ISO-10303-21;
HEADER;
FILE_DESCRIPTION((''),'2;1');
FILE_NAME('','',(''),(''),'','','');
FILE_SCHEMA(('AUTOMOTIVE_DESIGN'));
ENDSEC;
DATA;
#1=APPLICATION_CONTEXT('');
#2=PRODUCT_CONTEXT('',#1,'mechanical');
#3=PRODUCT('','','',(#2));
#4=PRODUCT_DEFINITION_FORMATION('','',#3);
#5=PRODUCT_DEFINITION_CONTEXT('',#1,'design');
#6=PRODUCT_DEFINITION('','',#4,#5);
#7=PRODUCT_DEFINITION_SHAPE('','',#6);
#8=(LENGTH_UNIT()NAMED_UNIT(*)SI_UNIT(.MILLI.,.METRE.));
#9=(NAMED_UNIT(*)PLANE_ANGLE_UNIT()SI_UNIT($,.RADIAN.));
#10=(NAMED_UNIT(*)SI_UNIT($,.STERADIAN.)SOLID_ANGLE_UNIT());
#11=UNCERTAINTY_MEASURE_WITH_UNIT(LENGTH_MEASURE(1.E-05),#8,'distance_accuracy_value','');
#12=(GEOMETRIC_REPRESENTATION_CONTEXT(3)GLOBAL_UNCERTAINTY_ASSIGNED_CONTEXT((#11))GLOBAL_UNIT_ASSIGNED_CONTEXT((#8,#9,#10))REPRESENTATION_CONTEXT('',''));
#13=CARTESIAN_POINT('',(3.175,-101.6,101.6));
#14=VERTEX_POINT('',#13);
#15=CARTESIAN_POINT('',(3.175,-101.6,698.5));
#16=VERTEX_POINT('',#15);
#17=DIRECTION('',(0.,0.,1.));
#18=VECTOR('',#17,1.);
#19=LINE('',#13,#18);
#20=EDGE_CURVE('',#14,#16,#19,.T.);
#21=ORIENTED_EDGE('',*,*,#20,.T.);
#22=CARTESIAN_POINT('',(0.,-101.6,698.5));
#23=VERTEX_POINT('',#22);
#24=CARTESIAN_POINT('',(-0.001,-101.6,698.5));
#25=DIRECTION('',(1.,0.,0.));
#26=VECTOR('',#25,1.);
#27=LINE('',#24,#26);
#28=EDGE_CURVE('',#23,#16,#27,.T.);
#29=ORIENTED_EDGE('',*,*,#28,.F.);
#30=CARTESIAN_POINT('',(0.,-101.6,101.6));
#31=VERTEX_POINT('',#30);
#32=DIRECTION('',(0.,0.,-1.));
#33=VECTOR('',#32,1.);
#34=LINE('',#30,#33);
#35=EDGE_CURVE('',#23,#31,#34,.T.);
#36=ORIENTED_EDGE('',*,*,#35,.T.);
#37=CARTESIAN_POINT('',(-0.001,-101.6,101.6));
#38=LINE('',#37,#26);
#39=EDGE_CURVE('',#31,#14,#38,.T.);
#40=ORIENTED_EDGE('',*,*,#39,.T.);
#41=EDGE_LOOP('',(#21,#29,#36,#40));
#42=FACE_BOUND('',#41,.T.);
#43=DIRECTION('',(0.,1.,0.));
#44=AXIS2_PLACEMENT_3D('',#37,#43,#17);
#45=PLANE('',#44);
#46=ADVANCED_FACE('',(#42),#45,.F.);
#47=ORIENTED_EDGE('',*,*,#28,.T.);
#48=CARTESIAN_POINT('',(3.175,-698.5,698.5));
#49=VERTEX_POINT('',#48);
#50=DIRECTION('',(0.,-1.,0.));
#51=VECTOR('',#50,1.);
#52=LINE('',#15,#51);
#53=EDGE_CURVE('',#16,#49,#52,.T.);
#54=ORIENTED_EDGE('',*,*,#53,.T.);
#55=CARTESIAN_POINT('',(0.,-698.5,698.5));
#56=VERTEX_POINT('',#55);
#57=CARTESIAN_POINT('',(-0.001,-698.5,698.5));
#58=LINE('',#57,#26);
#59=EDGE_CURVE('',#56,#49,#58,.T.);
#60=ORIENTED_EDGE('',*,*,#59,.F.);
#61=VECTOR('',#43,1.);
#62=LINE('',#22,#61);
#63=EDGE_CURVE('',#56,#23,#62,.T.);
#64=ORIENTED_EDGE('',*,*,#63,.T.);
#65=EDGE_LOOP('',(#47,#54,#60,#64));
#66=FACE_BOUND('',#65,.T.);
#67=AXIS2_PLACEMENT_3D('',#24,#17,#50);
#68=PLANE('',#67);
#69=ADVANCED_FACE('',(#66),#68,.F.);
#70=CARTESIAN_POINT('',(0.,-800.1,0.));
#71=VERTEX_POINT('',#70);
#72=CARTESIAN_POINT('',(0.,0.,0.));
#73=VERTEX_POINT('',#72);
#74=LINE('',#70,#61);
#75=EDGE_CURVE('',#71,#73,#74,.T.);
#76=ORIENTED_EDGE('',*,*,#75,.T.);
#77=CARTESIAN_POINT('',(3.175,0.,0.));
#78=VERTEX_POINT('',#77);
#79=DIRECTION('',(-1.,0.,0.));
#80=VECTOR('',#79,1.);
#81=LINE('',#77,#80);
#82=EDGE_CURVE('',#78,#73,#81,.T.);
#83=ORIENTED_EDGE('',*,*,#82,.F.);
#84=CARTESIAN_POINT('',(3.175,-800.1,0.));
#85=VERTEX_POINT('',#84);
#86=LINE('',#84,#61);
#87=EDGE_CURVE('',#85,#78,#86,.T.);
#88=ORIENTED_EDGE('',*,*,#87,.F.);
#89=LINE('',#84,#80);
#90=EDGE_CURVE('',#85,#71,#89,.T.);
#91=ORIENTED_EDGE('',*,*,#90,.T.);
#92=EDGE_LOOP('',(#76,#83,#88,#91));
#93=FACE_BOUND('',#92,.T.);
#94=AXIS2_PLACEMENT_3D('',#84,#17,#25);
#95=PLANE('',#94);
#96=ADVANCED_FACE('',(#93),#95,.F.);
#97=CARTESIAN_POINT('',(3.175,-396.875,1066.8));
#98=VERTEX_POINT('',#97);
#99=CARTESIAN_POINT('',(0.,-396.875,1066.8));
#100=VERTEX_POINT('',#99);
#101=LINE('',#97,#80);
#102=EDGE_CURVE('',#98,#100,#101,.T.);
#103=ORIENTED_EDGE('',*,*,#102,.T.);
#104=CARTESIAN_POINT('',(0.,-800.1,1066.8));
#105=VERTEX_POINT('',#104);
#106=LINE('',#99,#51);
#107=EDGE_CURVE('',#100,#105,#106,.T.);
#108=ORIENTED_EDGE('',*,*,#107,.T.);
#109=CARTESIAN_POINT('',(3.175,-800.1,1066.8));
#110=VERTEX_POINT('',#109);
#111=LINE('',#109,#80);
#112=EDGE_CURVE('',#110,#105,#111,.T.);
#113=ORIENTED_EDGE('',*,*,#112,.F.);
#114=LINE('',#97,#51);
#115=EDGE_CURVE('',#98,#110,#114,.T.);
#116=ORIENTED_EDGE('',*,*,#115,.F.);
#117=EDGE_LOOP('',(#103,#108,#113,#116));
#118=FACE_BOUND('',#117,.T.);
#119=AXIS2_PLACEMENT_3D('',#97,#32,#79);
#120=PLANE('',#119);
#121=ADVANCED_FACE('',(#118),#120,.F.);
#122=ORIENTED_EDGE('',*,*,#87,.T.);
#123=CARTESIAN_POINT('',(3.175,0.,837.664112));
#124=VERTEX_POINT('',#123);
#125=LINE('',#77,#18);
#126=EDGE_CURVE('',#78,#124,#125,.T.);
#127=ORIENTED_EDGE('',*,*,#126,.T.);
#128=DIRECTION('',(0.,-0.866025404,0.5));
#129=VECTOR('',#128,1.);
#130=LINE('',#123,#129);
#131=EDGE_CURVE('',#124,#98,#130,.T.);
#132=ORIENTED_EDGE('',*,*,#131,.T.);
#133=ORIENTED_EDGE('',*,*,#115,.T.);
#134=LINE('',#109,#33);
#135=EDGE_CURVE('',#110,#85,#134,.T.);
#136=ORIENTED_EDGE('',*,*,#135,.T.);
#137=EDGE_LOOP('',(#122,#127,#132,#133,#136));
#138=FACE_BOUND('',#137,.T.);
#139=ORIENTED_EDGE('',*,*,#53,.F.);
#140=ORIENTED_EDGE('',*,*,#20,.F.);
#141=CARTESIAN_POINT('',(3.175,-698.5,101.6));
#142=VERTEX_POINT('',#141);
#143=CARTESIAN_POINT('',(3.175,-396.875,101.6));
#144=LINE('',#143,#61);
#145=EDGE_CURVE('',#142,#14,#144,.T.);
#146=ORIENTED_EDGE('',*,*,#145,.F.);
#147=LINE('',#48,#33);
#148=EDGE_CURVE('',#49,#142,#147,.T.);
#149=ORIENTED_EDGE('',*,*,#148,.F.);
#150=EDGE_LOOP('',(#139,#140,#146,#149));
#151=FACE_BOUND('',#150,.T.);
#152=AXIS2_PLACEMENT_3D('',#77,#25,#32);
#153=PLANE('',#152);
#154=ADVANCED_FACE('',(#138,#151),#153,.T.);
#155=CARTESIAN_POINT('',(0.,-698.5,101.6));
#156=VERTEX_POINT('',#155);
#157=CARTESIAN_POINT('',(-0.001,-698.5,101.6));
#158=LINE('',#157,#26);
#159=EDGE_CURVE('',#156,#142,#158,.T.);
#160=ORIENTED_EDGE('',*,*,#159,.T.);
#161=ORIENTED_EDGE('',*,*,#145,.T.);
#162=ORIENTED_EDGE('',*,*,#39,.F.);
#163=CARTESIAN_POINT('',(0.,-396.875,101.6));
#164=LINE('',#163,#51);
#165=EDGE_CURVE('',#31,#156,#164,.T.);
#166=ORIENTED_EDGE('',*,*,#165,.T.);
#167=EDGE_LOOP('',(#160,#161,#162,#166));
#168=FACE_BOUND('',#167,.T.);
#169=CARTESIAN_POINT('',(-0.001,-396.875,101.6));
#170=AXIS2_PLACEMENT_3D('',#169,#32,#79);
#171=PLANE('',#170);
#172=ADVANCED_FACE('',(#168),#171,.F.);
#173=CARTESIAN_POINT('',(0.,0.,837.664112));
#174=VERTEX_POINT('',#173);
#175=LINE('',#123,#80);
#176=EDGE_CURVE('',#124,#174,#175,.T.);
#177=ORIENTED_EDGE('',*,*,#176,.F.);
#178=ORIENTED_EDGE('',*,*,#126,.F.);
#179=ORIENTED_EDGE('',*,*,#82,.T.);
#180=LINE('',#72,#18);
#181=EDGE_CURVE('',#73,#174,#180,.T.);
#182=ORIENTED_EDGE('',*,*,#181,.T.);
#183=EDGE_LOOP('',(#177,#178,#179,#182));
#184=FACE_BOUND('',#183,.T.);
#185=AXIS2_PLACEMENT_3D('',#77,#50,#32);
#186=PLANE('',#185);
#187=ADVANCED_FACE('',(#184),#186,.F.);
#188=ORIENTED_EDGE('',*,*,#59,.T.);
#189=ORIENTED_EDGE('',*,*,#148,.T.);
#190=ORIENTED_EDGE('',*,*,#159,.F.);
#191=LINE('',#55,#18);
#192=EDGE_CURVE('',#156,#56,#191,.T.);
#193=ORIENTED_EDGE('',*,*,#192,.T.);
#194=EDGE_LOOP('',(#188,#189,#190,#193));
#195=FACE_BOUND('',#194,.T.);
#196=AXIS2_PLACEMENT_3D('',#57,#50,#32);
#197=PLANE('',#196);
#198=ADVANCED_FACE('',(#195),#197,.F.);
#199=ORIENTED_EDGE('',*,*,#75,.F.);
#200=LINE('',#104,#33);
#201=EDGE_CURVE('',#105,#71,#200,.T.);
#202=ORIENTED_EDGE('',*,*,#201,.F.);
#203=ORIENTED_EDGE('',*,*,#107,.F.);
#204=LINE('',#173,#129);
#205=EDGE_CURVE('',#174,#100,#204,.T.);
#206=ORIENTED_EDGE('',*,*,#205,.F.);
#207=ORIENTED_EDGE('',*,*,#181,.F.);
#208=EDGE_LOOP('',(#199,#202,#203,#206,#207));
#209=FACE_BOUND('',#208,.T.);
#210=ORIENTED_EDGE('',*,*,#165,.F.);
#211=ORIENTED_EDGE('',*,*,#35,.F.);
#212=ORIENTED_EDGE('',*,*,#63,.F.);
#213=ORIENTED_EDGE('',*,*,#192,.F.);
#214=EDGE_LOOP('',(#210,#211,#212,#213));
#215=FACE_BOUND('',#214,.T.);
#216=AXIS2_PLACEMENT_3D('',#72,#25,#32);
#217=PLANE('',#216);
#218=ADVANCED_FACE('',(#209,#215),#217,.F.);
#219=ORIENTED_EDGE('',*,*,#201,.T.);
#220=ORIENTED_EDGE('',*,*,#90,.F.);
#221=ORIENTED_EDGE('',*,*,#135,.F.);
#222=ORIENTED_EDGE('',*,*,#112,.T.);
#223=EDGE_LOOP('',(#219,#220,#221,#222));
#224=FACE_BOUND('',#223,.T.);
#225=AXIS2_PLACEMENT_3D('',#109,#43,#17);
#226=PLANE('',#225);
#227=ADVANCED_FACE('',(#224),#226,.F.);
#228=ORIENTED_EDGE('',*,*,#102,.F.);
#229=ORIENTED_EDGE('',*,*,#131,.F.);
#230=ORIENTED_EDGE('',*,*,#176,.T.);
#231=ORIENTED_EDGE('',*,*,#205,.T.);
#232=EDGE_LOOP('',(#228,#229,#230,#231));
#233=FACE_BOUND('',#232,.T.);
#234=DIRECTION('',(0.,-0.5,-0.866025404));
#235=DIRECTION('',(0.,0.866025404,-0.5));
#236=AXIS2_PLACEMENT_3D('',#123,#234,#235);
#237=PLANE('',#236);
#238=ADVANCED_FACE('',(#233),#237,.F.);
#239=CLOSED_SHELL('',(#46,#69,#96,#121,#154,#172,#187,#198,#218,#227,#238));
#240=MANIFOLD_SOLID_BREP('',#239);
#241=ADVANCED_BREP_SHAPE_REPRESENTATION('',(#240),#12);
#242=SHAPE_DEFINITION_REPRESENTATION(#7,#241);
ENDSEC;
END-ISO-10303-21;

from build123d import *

# Parameters (mm, degrees)
BOSS_EXTRUDE1_DEPTH = 3.175
CUT_EXTRUDE1_REACH  = 5.175


with BuildPart() as part:
    # Sketch1 → Boss-Extrude1 (new body)
    with BuildSketch(Plane(origin=(0, 0, 0), x_dir=(0, 0, -1), z_dir=(1, 0, 0))):
        Polygon((0, 0), (-837.664111915, 0), (-1066.8, -396.875), (-1066.8, -800.1), (0, -800.1), align=None)
    extrude(amount=BOSS_EXTRUDE1_DEPTH)

    # Sketch2 → Cut-Extrude1 (cut, up to next)
    with BuildSketch(Plane(origin=(3.175, 0, 0), x_dir=(0, 0, -1), z_dir=(1, 0, 0)), mode=Mode.PRIVATE) as cut_extrude1_sk1:
        Polygon((-101.6, -396.875), (-101.6, -101.6), (-698.5, -101.6), (-698.5, -698.5), (-101.6, -698.5), align=None)
    cut_extrude1_tool1 = extrude(cut_extrude1_sk1.sketch, amount=-CUT_EXTRUDE1_REACH, mode=Mode.PRIVATE) & part.part
    add(cut_extrude1_tool1.solids().sort_by_distance((3.175, -400.05, 400.05))[0], mode=Mode.SUBTRACT)


solid = part.part
